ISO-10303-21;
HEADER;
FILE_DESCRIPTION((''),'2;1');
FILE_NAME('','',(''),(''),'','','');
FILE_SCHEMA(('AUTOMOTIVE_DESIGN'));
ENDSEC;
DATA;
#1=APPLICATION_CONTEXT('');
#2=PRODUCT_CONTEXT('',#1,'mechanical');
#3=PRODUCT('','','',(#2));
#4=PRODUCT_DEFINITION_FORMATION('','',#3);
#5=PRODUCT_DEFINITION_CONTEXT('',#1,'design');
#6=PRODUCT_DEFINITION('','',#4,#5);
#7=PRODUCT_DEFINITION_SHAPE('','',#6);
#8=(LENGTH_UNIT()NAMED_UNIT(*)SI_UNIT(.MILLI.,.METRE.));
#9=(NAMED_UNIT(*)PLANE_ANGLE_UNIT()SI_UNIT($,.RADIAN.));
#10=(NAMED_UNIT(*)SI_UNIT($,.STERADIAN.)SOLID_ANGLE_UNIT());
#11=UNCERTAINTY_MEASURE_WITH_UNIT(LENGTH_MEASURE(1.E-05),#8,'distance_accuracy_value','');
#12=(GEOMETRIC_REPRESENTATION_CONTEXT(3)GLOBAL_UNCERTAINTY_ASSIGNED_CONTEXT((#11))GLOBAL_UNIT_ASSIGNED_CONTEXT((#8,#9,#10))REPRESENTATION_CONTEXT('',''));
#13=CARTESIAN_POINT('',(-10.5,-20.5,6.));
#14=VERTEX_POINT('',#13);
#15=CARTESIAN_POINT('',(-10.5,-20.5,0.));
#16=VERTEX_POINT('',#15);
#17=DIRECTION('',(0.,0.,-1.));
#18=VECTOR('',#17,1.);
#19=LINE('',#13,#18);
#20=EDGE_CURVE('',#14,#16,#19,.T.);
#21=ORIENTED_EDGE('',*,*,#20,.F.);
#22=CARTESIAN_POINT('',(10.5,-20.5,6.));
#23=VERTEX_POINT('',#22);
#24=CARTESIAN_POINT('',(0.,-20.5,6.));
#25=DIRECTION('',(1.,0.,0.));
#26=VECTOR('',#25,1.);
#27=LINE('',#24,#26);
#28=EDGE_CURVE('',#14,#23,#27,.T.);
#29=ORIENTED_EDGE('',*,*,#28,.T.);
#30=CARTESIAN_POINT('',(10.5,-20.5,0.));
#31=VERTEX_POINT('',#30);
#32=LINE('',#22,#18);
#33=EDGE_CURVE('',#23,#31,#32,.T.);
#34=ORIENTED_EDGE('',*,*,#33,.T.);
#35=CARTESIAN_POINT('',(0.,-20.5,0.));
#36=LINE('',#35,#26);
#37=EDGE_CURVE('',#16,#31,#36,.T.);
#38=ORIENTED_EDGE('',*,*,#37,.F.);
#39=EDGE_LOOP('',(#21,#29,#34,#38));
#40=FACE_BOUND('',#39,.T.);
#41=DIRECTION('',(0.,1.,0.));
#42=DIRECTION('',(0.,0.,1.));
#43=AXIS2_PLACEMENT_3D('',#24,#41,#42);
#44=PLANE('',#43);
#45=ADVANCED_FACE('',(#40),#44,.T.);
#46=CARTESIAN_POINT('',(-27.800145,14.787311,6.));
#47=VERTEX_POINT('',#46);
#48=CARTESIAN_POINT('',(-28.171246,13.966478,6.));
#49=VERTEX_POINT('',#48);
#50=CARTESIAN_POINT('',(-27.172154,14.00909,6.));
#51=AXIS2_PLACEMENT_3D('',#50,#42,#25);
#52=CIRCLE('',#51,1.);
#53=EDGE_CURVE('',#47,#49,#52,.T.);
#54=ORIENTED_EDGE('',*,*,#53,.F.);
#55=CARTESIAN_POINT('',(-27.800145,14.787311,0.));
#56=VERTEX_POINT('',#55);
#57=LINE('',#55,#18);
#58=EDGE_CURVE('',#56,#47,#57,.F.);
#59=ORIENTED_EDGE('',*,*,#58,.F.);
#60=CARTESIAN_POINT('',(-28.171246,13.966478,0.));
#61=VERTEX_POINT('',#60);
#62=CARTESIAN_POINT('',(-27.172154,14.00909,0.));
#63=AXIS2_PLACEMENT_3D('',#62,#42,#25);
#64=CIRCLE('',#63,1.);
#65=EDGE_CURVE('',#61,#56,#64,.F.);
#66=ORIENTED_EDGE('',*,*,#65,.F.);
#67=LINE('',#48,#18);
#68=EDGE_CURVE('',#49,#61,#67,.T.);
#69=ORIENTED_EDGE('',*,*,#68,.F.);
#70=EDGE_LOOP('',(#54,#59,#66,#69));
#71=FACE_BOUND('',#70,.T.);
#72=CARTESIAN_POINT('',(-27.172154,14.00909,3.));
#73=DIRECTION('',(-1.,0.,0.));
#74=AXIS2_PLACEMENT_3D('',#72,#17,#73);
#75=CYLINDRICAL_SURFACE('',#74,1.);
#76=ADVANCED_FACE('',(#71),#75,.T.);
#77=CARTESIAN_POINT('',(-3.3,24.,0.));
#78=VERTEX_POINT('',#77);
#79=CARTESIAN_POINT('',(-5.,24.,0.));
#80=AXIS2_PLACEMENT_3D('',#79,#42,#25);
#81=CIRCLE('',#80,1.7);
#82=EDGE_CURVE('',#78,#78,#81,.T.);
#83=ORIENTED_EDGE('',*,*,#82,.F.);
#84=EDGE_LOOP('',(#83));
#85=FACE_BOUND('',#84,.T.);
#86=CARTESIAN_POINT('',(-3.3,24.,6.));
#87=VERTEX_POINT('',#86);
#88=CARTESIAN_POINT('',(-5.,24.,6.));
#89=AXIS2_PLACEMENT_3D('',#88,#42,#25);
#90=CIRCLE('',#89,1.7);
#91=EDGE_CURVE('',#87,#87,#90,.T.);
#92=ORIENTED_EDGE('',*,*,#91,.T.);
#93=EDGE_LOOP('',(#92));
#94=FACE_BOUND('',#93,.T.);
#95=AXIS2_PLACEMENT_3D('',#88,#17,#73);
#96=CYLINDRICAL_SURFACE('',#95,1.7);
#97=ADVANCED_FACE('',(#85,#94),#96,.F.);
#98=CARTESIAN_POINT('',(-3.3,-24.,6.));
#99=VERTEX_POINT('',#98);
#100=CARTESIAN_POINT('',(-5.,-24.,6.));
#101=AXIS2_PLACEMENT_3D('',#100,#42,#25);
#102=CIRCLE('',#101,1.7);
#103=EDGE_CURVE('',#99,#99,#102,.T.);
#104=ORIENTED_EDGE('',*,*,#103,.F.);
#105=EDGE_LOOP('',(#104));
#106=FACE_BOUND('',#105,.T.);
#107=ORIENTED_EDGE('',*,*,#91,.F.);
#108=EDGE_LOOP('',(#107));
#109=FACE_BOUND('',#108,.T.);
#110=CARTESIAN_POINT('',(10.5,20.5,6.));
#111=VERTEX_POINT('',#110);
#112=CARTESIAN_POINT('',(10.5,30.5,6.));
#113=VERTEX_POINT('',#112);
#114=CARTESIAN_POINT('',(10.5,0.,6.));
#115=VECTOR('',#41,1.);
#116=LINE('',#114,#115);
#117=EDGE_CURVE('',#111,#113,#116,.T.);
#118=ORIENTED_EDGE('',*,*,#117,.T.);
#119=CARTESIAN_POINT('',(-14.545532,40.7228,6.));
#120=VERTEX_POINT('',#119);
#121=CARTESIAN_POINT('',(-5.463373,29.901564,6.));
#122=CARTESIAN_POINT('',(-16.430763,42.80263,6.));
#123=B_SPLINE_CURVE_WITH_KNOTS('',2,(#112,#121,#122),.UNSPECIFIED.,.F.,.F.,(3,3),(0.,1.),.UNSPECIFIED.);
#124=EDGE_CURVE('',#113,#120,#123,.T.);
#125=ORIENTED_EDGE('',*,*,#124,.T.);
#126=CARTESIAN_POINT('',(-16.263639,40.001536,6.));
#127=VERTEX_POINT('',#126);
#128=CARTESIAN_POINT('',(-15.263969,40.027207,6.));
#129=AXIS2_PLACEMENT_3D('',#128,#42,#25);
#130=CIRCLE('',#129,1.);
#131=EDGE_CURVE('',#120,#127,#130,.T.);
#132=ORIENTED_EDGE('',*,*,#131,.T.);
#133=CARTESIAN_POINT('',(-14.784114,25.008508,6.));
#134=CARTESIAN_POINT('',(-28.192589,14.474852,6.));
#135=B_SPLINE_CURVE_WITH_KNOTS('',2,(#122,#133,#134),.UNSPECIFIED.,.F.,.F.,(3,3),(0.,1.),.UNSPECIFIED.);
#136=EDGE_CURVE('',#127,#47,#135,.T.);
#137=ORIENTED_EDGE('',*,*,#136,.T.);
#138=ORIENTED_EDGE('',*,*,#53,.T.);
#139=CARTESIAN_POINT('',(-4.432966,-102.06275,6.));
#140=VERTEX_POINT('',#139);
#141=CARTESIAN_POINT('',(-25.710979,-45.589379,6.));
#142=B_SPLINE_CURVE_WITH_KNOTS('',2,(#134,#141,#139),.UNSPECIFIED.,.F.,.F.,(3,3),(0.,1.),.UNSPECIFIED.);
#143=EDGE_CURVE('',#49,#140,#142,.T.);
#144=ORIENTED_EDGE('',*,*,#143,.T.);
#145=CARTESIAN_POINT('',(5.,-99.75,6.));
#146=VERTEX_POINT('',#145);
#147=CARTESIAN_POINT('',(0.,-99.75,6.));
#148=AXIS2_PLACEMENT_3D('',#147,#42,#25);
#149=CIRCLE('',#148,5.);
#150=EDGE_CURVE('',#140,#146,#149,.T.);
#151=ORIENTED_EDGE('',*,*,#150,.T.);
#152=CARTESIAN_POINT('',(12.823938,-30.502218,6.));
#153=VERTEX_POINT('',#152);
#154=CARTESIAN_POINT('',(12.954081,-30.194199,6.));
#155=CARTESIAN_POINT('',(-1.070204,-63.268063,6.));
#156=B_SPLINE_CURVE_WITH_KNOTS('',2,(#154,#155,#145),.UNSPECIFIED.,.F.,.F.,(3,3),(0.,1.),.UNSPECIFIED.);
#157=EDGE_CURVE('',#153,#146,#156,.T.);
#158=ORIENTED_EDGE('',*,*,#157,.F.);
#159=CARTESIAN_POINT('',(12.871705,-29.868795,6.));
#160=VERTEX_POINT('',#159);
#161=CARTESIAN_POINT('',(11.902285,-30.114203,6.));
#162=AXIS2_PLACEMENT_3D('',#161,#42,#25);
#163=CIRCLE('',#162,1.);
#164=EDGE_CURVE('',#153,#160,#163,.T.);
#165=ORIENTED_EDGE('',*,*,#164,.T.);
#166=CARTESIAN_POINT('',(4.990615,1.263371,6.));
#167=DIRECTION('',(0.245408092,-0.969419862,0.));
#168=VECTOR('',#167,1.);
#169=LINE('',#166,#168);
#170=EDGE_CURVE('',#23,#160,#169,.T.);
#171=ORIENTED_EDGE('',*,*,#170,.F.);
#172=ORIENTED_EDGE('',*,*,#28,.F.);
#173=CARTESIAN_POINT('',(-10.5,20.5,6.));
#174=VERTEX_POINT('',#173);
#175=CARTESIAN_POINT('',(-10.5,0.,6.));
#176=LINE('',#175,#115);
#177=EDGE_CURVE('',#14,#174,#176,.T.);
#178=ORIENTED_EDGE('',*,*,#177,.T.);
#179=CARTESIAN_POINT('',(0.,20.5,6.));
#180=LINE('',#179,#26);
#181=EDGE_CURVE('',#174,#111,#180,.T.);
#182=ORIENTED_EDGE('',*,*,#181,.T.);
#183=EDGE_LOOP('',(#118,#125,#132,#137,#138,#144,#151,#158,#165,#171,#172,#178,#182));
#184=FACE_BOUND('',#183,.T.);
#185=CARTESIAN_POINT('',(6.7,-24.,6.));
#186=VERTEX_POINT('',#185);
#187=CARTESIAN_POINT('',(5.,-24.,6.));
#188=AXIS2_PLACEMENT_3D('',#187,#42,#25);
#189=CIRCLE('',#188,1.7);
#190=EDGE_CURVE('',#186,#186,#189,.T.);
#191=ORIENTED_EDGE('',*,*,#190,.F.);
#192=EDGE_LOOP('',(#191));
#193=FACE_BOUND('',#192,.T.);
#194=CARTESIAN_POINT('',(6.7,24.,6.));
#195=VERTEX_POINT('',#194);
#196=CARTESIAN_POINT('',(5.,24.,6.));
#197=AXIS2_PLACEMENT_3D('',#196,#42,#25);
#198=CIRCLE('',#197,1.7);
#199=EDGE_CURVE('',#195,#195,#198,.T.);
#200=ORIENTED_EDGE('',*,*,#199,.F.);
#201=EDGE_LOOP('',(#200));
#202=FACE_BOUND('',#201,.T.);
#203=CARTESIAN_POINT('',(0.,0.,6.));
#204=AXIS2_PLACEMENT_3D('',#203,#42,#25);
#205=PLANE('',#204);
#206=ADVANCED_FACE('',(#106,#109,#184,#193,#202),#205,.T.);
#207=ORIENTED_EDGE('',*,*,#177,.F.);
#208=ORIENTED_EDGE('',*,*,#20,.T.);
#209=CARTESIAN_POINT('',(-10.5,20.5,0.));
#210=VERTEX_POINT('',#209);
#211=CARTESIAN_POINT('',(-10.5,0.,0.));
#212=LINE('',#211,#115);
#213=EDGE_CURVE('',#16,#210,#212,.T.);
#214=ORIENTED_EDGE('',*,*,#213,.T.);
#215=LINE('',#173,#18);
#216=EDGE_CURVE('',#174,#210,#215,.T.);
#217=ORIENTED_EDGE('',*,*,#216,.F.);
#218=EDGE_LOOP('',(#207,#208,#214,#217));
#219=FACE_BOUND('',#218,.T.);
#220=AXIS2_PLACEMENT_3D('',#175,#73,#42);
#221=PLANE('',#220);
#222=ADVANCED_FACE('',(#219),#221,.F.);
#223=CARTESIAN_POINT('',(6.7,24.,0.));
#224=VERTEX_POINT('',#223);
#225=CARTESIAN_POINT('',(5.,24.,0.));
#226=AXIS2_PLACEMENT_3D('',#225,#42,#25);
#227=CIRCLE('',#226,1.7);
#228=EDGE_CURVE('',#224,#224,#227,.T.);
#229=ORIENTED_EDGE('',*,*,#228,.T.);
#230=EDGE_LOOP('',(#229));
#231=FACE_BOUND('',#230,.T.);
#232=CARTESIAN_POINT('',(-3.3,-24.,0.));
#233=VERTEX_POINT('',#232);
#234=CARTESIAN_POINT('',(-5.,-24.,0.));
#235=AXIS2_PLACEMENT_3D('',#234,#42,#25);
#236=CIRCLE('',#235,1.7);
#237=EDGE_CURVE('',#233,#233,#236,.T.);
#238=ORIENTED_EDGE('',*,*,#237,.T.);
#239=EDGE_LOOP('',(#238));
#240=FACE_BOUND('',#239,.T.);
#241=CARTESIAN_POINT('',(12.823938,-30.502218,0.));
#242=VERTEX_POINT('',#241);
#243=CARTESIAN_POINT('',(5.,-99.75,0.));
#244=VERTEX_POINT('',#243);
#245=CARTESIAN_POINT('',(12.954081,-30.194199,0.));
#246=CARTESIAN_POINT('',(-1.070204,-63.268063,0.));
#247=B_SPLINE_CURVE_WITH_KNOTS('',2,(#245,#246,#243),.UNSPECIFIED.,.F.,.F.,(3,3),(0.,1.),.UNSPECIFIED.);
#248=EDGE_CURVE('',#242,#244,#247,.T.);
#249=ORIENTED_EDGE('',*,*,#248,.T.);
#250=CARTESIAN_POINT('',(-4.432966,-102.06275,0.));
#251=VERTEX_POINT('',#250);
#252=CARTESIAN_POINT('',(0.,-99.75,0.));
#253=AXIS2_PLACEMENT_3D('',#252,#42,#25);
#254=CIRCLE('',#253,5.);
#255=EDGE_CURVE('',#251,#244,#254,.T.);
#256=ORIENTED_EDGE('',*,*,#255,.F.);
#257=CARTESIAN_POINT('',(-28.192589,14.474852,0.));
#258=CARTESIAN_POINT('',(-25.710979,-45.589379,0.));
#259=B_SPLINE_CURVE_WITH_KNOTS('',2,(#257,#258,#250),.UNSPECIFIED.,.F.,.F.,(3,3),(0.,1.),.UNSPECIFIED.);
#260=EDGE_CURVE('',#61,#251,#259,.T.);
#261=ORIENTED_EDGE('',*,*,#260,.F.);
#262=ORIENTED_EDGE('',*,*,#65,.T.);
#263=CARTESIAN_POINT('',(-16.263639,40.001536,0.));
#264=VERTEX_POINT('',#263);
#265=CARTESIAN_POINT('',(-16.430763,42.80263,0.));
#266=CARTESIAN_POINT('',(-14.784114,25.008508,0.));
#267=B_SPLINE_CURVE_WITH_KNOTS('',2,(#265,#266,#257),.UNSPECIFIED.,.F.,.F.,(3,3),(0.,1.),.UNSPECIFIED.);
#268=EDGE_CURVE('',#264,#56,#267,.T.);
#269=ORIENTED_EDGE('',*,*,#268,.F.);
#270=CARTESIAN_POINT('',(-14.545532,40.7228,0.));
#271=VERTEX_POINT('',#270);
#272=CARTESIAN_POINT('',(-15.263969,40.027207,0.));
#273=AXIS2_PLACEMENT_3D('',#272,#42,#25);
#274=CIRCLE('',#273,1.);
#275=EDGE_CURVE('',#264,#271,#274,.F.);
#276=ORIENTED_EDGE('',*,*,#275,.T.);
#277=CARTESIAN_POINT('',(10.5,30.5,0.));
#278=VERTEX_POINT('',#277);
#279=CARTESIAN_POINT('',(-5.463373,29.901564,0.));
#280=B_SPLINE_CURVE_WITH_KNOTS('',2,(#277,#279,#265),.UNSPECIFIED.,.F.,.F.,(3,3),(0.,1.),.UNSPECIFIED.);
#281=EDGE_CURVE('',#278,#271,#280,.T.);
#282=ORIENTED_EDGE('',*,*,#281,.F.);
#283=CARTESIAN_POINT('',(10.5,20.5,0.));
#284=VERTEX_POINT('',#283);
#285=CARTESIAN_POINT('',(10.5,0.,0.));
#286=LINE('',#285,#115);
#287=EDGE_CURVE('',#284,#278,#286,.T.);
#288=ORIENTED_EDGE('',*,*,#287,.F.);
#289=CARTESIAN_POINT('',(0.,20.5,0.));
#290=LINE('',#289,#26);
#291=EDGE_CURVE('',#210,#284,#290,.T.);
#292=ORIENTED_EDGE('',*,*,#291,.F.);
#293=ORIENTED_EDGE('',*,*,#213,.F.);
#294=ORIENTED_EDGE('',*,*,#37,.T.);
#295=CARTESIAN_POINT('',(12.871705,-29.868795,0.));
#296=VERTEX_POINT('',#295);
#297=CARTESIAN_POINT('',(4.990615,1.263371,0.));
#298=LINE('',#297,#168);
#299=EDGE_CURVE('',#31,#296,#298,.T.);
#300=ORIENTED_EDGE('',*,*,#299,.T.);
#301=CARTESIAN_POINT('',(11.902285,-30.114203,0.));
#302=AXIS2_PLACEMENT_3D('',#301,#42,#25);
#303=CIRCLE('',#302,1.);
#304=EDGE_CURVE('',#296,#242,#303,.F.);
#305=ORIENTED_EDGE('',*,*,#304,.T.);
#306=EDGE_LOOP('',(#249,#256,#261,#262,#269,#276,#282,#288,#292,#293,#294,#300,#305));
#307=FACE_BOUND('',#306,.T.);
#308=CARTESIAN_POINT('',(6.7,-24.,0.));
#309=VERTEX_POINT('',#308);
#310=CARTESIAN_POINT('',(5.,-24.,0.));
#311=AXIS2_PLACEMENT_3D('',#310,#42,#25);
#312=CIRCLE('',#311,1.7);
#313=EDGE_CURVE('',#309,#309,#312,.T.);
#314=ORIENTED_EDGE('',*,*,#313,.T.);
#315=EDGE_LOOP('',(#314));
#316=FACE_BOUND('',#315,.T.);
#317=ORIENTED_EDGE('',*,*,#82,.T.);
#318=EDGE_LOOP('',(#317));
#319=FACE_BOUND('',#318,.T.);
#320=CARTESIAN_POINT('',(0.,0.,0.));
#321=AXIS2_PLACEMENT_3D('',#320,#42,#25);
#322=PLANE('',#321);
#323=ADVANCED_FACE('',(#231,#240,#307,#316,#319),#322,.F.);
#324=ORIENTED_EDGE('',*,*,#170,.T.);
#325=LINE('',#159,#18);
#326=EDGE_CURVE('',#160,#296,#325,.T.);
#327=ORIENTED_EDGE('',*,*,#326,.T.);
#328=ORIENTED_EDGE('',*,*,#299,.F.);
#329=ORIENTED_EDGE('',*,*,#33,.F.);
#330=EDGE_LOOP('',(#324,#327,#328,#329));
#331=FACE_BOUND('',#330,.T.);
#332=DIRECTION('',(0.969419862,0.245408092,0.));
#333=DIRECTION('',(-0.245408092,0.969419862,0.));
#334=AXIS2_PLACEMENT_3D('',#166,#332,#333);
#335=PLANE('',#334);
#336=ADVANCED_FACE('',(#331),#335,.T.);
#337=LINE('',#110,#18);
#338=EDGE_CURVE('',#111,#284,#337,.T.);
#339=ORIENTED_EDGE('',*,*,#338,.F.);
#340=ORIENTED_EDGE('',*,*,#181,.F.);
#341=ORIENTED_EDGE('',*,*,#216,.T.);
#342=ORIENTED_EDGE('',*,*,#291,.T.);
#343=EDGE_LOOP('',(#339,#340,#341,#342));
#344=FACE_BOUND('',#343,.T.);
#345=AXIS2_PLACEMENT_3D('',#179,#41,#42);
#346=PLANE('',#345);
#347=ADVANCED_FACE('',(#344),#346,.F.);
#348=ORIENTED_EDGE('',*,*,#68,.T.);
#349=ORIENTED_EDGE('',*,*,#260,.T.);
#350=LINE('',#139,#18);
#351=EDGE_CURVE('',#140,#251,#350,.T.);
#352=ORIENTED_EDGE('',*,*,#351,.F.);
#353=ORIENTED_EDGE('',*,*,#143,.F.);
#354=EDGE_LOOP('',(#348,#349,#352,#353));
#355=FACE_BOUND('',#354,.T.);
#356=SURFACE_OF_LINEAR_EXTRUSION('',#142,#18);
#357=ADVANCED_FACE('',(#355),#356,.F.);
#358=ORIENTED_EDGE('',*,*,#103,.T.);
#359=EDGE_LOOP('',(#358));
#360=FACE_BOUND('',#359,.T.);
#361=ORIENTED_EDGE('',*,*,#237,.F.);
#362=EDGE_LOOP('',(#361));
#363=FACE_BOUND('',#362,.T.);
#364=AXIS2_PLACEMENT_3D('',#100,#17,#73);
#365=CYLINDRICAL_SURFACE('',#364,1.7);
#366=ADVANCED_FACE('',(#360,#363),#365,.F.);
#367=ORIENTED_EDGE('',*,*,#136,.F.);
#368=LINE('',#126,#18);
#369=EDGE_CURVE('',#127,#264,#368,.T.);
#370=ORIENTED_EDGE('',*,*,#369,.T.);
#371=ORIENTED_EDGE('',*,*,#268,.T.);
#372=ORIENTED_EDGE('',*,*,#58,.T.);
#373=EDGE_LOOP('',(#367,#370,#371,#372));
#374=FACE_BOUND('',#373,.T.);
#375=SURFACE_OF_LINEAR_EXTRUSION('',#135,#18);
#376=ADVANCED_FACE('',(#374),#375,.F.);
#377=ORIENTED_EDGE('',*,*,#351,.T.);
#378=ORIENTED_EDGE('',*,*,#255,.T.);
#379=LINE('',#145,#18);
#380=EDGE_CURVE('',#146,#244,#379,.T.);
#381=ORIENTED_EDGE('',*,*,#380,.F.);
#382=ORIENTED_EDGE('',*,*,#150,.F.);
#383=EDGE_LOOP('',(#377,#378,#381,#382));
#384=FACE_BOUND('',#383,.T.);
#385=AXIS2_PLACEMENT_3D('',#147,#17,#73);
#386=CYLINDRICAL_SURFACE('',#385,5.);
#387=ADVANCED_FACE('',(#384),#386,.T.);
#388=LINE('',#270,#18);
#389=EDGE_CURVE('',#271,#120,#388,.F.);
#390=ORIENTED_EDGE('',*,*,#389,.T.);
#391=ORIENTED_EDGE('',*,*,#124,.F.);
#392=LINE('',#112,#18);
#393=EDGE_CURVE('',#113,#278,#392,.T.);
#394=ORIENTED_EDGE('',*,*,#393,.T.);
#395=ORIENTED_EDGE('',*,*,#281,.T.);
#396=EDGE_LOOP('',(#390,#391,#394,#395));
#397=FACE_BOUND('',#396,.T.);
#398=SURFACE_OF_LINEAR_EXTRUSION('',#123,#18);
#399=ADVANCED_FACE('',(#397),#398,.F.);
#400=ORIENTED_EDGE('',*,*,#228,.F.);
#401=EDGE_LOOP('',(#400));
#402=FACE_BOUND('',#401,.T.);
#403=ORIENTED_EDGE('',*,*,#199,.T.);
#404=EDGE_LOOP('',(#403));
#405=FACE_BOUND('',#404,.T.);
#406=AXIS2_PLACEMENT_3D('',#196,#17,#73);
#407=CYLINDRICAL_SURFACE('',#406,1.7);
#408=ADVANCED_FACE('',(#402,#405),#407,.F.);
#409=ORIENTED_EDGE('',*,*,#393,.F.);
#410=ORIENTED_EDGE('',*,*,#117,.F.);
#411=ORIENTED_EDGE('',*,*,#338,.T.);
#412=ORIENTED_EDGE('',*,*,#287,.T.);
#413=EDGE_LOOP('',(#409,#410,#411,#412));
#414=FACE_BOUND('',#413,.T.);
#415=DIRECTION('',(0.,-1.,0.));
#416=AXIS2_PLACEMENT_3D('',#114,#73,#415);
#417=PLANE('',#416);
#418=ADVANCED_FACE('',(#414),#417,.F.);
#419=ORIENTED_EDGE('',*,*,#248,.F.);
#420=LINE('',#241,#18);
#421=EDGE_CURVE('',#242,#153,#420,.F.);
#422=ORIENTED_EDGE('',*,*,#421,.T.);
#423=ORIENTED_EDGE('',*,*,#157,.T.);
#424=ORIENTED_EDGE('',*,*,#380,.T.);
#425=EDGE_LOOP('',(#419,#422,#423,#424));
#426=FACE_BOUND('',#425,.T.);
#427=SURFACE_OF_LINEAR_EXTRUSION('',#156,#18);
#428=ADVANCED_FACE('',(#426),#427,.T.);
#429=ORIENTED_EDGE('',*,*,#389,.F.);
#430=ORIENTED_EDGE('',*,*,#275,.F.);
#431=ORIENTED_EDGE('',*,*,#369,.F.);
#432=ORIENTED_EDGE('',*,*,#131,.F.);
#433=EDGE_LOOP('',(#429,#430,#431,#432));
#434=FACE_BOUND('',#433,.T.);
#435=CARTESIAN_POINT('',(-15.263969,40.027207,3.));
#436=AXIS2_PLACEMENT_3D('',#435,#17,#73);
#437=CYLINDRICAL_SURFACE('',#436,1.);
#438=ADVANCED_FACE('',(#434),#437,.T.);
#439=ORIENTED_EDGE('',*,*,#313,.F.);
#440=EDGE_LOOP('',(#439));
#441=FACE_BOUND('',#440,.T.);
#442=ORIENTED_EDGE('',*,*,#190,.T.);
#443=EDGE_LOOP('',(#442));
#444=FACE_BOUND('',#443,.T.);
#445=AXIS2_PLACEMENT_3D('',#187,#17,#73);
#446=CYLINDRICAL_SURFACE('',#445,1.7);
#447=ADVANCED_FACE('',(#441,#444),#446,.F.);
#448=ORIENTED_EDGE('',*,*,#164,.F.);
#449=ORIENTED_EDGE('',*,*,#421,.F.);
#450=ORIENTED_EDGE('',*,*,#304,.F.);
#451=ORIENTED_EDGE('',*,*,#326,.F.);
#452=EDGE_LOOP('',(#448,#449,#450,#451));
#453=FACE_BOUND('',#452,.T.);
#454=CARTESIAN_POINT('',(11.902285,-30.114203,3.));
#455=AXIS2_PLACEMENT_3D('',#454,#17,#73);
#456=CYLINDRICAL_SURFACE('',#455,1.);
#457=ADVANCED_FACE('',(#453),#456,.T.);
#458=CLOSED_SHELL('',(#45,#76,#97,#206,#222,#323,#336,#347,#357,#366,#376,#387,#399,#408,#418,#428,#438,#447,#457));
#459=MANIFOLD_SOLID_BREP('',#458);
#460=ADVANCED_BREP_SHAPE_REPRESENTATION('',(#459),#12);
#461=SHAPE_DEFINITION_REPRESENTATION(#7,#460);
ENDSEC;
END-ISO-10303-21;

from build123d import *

# Parameters (mm, degrees)
SKETCH1_R           = 1.7
BOSS_EXTRUDE1_DEPTH = 6
FILLET1_R           = 1


with BuildPart() as part:
    # Sketch1 → Boss-Extrude1 (new body)
    # profile 1 of 2: a face of its own
    with BuildSketch(Plane.XY):
        with BuildLine():
            Line((10.5, -20.5), (-10.5, -20.5))
            Line((-10.5, -20.5), (-10.5, 20.5))
            Line((-10.5, 20.5), (10.5, 20.5))
            Line((10.5, 20.5), (10.5, 30.5))
            add(Edge.make_bspline(
                [(10.5, 30.5), (-5.463373434, 29.901564355), (-16.430762864, 42.802630452)],
                knots=[0, 0, 0, 1, 1, 1], degree=2))
            add(Edge.make_bspline(
                [(-16.430762864, 42.802630452), (-14.784114241, 25.00850842), (-28.192589157, 14.474851635)],
                knots=[0, 0, 0, 1, 1, 1], degree=2))
            add(Edge.make_bspline(
                [(-28.192589157, 14.474851635), (-25.736030858, -44.983019262), (-4.860661097, -100.922166241)],
                knots=[0, 0, 0, 0.989904815, 0.989904815, 0.989904815], degree=2))
            ThreePointArc((-4.860661097, -100.922166241), (-1.370198617, -94.941408132), (4.748458048, -98.184066997))
            add(Edge.make_bspline(
                [(12.954080919, -30.194198618), (-0.768915938, -62.557526438), (4.748458048, -98.184066997)],
                knots=[0, 0, 0, 0.978516684, 0.978516684, 0.978516684], degree=2))
            Line((12.954080919, -30.194198618), (10.5, -20.5))
        make_face()
        with Locations((-5, -24)):
            Circle(SKETCH1_R, mode=Mode.SUBTRACT)
        with Locations((5, -24)):
            Circle(SKETCH1_R, mode=Mode.SUBTRACT)
        with Locations((-5, 24)):
            Circle(SKETCH1_R, mode=Mode.SUBTRACT)
        with Locations((5, 24)):
            Circle(SKETCH1_R, mode=Mode.SUBTRACT)
    # profile 2 of 2: a face of its own
    with BuildSketch(Plane.XY):
        with BuildLine():
            add(Edge.make_bspline(
                [(4.748458048, -98.184066997), (4.86959189, -98.96624703), (5, -99.75)],
                knots=[0.978516684, 0.978516684, 0.978516684, 1, 1, 1], degree=2))
            ThreePointArc((4.748458048, -98.184066997), (-1.370198617, -94.941408132), (-4.860661097, -100.922166241))
            add(Edge.make_bspline(
                [(-4.860661097, -100.922166241), (-4.647771209, -101.492641346), (-4.432965727, -102.062750497)],
                knots=[0.989904815, 0.989904815, 0.989904815, 1, 1, 1], degree=2))
            ThreePointArc((-4.432965727, -102.062750497), (1.190624073, -104.606172806), (5, -99.75))
        make_face()
    extrude(amount=BOSS_EXTRUDE1_DEPTH)

    # Fillet1
    fillet1_edges = [part.edges().sort_by_distance(p)[0] for p in [
        (-28.192589157, 14.474851635, 3),
        (-16.430762864, 42.802630452, 3),
        (12.954080919, -30.194198618, 3),
    ]]
    fillet(fillet1_edges, radius=FILLET1_R)


solid = part.part
